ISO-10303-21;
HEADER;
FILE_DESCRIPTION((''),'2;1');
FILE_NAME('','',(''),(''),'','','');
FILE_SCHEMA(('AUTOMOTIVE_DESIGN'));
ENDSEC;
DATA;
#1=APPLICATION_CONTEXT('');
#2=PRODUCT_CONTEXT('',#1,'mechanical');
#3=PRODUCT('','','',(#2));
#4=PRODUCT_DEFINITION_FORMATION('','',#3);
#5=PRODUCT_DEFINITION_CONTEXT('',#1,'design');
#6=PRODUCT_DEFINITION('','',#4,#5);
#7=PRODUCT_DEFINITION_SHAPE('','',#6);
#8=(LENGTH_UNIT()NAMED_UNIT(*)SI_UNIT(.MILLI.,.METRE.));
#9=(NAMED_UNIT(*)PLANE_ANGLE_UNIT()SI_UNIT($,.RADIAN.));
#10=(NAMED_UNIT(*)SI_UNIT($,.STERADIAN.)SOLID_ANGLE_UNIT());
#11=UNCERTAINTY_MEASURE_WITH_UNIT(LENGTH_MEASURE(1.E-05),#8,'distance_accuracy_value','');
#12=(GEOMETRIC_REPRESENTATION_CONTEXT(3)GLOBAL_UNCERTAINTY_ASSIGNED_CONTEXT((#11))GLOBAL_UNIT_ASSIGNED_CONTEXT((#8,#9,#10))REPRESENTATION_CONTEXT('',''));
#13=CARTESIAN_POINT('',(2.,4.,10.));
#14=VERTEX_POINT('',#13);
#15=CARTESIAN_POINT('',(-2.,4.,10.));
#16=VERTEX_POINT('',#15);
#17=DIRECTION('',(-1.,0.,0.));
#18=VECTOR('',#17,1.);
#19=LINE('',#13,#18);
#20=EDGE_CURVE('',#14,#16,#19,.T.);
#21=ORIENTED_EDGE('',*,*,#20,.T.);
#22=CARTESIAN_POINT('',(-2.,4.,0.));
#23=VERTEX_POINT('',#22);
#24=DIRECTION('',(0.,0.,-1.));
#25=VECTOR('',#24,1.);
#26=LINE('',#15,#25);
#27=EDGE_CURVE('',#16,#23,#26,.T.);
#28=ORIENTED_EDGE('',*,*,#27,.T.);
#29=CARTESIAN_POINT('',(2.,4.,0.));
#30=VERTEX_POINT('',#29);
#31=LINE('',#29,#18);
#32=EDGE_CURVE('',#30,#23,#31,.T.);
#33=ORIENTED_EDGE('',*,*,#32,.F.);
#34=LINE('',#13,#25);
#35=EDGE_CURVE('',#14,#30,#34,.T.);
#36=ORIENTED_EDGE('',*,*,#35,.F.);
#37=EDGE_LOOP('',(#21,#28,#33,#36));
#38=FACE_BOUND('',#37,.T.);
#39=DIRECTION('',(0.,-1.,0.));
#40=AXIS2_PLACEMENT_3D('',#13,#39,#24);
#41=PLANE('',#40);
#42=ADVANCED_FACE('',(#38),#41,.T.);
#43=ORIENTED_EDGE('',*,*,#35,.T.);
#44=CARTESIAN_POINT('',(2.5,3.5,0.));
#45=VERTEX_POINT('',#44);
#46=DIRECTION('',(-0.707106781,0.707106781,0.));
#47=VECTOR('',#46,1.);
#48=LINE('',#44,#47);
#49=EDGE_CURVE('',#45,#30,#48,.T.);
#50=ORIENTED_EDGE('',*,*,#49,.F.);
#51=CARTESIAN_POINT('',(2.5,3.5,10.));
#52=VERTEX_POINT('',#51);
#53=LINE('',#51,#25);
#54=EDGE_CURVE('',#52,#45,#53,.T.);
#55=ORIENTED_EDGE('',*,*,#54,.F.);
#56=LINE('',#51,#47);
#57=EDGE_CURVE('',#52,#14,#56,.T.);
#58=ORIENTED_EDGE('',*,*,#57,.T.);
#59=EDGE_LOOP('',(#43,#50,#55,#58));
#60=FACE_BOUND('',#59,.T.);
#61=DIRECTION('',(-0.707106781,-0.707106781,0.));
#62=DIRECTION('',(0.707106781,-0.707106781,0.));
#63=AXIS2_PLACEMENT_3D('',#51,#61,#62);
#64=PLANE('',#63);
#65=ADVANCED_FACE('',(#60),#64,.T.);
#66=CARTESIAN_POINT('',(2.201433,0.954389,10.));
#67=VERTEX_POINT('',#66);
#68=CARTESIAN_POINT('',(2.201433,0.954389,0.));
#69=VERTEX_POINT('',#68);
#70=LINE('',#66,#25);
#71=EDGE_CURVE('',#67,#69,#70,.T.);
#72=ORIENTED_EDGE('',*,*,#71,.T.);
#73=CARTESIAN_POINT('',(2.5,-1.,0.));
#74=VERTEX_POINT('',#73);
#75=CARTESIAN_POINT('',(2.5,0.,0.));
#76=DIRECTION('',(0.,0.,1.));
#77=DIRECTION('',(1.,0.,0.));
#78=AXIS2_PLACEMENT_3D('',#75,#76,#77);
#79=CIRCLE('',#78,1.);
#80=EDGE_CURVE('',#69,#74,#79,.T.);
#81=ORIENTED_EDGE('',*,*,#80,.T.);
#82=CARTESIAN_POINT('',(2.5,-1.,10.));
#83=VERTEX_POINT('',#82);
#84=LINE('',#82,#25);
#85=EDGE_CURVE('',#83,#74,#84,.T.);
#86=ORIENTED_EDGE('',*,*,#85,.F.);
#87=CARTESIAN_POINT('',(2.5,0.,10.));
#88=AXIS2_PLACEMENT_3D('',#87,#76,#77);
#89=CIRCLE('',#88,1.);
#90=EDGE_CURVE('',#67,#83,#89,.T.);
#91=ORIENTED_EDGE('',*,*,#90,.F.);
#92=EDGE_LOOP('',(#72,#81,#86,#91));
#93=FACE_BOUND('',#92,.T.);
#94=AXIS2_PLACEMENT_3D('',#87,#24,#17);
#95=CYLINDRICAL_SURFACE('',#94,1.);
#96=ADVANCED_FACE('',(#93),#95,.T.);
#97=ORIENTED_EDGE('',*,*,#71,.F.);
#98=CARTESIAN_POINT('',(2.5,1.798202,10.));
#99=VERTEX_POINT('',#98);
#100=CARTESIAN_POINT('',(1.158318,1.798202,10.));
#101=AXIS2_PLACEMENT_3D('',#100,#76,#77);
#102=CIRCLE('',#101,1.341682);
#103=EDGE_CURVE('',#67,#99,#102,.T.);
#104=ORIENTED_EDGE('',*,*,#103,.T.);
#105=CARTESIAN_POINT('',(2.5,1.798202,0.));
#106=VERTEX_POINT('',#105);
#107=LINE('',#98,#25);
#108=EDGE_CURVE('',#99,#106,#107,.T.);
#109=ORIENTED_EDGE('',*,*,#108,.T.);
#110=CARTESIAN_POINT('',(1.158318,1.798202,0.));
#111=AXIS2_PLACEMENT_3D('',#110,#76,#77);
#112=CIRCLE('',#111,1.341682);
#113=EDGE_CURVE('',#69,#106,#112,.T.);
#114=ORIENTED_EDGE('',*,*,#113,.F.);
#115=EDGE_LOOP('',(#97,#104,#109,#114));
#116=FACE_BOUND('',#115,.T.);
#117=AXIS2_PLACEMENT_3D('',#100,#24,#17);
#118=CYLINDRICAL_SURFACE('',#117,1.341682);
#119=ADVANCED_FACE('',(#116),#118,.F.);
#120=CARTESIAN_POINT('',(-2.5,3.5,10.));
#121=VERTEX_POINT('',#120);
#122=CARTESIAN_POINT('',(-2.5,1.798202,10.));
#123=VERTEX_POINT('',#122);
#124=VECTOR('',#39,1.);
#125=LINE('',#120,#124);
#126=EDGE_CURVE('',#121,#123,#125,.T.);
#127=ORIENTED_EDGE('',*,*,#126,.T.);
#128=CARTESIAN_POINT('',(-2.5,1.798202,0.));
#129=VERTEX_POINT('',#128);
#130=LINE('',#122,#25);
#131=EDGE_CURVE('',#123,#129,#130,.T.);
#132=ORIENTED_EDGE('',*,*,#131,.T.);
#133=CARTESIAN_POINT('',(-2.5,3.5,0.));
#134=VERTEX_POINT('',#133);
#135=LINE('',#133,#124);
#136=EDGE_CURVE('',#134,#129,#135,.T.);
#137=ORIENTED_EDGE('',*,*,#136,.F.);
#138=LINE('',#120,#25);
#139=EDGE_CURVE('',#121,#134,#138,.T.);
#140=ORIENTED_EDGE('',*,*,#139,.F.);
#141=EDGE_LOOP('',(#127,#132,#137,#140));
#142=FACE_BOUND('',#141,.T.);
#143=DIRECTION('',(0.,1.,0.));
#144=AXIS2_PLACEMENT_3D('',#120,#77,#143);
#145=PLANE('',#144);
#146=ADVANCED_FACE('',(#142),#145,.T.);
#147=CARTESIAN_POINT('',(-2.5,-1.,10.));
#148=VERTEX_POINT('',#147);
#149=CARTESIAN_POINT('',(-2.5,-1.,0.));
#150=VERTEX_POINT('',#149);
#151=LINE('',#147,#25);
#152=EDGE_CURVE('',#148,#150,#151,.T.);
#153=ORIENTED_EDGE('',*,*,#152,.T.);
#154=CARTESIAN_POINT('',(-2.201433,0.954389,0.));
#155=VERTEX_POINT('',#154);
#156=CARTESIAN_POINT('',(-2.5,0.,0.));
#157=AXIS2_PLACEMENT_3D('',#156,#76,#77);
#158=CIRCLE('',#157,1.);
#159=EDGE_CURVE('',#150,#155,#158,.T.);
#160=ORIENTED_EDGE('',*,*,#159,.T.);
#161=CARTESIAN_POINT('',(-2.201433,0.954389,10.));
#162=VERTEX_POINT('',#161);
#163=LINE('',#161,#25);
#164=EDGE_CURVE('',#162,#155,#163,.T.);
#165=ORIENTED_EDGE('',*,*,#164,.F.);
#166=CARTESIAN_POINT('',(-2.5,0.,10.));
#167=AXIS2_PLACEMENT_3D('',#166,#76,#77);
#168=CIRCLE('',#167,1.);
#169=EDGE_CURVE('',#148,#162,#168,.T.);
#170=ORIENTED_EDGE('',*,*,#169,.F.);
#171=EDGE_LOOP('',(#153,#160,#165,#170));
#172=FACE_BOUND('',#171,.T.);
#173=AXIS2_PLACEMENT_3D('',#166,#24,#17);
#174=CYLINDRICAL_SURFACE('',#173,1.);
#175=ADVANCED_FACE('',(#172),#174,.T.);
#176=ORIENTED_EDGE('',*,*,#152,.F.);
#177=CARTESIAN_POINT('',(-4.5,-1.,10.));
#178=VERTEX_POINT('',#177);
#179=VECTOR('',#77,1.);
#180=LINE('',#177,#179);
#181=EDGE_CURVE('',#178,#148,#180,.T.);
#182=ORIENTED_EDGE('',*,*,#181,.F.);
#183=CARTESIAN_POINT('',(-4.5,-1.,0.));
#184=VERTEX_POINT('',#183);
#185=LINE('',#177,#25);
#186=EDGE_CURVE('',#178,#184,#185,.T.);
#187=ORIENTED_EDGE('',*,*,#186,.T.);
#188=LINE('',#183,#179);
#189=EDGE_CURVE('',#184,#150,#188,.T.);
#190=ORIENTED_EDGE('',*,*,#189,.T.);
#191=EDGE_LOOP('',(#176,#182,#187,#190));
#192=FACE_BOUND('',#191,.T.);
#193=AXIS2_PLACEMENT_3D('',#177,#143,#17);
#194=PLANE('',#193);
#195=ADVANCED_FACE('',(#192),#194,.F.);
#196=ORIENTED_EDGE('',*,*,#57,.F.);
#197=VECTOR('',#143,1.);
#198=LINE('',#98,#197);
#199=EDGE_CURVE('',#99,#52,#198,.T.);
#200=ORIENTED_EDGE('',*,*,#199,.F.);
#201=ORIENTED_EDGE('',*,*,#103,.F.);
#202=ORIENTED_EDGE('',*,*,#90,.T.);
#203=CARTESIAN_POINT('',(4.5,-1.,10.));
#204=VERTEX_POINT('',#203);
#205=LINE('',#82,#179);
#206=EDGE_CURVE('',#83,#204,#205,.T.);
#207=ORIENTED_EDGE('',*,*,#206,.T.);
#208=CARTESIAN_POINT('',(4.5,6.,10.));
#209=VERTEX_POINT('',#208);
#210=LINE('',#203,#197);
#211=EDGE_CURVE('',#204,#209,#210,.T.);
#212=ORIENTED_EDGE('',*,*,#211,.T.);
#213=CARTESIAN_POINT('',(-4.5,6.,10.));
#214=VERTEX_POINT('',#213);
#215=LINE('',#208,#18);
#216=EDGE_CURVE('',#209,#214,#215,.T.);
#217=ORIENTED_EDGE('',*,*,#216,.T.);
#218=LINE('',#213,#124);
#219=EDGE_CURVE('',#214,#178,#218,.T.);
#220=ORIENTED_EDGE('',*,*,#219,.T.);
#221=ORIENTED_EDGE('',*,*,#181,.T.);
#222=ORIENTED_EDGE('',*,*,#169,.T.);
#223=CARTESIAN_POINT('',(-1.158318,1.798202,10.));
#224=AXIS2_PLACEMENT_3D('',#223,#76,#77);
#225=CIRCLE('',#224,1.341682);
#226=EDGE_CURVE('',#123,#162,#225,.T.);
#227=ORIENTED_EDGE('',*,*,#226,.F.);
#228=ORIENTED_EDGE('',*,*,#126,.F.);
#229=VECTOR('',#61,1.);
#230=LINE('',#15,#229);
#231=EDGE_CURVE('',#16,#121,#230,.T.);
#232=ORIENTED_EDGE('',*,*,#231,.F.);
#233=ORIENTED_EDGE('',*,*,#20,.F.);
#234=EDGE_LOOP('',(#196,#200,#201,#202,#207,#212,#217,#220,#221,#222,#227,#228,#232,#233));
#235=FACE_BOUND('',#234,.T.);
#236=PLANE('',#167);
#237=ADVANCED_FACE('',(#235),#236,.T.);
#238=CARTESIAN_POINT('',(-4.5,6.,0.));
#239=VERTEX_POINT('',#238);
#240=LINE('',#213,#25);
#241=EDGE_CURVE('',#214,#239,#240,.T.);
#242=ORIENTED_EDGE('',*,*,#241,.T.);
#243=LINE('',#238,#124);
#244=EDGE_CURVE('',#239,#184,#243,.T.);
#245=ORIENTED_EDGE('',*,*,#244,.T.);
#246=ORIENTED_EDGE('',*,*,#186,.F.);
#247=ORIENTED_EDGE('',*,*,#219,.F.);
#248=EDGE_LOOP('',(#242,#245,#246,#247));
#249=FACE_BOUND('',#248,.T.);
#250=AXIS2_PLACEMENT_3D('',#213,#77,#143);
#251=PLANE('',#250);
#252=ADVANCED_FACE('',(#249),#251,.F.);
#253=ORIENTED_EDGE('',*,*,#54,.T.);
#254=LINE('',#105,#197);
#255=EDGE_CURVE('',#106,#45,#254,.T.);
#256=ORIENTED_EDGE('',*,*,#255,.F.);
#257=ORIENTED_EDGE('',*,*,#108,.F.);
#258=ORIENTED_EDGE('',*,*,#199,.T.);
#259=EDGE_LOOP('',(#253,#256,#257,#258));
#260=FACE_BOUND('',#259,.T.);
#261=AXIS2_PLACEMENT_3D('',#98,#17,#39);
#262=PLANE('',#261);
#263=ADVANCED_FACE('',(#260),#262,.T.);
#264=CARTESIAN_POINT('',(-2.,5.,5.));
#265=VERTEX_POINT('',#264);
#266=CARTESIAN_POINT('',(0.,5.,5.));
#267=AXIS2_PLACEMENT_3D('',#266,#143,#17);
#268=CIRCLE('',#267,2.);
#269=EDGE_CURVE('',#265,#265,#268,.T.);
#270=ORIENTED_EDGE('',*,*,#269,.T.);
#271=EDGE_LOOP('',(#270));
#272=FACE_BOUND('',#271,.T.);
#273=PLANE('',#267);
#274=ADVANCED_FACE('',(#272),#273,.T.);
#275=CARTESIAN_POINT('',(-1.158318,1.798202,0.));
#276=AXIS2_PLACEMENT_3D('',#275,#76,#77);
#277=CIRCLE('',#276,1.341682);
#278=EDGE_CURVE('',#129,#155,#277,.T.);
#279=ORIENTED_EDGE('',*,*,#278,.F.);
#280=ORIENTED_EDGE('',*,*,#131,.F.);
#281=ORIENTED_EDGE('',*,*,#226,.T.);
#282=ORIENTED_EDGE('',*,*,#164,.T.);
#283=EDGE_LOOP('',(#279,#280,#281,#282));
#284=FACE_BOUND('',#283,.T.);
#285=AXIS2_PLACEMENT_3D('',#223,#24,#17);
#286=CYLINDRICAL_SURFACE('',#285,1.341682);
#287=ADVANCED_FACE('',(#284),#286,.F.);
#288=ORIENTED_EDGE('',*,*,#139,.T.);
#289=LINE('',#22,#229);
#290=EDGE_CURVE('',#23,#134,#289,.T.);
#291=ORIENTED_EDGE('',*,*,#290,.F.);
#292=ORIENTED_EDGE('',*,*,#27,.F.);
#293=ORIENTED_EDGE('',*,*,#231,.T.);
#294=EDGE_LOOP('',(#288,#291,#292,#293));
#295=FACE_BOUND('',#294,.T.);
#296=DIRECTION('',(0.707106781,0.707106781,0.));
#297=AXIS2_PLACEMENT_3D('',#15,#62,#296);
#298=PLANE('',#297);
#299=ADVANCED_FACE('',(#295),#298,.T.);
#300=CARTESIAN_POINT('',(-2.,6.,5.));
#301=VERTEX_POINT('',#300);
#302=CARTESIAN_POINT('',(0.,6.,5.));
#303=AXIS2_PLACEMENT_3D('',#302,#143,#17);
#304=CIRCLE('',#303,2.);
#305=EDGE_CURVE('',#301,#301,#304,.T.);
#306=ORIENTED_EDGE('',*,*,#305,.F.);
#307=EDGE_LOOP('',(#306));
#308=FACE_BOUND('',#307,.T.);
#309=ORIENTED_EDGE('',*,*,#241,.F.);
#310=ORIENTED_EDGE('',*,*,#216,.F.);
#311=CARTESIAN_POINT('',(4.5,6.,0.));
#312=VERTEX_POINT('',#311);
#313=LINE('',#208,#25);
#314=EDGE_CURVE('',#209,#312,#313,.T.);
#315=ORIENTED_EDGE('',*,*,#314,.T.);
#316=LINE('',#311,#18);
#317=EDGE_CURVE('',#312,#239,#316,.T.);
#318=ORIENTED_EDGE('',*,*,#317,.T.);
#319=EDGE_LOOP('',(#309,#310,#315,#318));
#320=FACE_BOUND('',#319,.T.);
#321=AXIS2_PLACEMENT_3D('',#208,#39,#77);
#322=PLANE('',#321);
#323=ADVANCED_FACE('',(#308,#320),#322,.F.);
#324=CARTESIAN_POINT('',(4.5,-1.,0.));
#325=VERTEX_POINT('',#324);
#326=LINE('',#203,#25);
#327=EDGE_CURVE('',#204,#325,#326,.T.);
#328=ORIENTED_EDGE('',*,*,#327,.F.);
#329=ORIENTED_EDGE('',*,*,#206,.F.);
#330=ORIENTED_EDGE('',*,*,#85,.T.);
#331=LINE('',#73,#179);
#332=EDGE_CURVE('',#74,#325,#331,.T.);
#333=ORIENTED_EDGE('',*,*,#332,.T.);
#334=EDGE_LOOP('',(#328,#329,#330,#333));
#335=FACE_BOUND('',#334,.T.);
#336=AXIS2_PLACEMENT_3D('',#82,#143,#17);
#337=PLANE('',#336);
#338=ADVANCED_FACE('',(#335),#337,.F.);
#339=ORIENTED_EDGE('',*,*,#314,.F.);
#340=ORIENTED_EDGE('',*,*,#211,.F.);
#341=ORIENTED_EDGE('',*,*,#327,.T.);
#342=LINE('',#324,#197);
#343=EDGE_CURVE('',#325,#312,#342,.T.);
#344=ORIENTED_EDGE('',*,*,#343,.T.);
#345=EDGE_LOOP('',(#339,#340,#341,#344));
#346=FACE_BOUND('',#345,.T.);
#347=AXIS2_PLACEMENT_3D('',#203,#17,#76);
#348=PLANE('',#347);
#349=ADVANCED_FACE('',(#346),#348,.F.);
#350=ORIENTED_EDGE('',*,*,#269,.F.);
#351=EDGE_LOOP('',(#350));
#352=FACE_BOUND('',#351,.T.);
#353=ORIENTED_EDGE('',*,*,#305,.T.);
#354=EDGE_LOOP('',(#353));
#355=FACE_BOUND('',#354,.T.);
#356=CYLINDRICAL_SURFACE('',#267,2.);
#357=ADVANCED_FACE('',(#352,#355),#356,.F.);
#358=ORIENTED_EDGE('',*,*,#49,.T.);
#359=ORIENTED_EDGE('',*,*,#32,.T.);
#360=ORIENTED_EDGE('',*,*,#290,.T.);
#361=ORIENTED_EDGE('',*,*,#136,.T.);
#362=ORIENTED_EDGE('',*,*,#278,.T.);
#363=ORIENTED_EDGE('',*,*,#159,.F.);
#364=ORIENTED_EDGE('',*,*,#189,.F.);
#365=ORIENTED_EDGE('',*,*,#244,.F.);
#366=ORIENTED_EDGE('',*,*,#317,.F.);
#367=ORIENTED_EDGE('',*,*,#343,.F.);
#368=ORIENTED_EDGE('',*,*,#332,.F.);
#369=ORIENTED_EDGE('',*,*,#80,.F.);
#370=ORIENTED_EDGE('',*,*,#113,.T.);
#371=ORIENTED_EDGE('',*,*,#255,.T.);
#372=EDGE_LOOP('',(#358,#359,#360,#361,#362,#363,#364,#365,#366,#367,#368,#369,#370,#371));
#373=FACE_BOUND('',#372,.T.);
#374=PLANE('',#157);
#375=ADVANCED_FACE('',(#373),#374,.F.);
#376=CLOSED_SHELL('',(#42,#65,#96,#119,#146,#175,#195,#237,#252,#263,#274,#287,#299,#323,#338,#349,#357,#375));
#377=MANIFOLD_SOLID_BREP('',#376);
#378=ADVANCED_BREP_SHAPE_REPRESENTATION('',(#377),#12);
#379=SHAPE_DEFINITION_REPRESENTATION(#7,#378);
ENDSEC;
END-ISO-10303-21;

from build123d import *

# Parameters (mm, degrees)
BOSS_EXTRUDE1_DEPTH = 10
SKETCH2_R           = 2
CUT_EXTRUDE1_DEPTH  = 1


with BuildPart() as part:
    # Sketch1 → Boss-Extrude1 (new body)
    with BuildSketch(Plane.XY):
        with BuildLine():
            Line((2.5, 1.798202453), (2.5, 3.5))
            Line((2.5, 3.5), (2, 4))
            Line((2, 4), (-2, 4))
            Line((-2, 4), (-2.5, 3.5))
            Line((-2.5, 3.5), (-2.5, 1.798202453))
            ThreePointArc((-2.5, 1.798202453), (-2.423157727, 1.350663613), (-2.2014329, 0.954388646))
            ThreePointArc((-2.2014329, 0.954388646), (-1.511468603, -0.151015487), (-2.5, -1))
            Line((-2.5, -1), (-4.5, -1))
            Line((-4.5, -1), (-4.5, 6))
            Line((-4.5, 6), (4.5, 6))
            Line((4.5, 6), (4.5, -1))
            Line((4.5, -1), (2.5, -1))
            ThreePointArc((2.5, -1), (1.511468603, -0.151015487), (2.2014329, 0.954388646))
            ThreePointArc((2.2014329, 0.954388646), (2.423157727, 1.350663613), (2.5, 1.798202453))
        make_face()
    extrude(amount=BOSS_EXTRUDE1_DEPTH)

    # Sketch2 → Cut-Extrude1 (cut)
    with BuildSketch(Plane(origin=(0, 6, 0), x_dir=(1, 0, 0), z_dir=(0, 1, 0))):
        with Locations(Location((0, -5, 0), (0, 0, 180))):
            Circle(SKETCH2_R)
    extrude(amount=-CUT_EXTRUDE1_DEPTH, mode=Mode.SUBTRACT)


solid = part.part
